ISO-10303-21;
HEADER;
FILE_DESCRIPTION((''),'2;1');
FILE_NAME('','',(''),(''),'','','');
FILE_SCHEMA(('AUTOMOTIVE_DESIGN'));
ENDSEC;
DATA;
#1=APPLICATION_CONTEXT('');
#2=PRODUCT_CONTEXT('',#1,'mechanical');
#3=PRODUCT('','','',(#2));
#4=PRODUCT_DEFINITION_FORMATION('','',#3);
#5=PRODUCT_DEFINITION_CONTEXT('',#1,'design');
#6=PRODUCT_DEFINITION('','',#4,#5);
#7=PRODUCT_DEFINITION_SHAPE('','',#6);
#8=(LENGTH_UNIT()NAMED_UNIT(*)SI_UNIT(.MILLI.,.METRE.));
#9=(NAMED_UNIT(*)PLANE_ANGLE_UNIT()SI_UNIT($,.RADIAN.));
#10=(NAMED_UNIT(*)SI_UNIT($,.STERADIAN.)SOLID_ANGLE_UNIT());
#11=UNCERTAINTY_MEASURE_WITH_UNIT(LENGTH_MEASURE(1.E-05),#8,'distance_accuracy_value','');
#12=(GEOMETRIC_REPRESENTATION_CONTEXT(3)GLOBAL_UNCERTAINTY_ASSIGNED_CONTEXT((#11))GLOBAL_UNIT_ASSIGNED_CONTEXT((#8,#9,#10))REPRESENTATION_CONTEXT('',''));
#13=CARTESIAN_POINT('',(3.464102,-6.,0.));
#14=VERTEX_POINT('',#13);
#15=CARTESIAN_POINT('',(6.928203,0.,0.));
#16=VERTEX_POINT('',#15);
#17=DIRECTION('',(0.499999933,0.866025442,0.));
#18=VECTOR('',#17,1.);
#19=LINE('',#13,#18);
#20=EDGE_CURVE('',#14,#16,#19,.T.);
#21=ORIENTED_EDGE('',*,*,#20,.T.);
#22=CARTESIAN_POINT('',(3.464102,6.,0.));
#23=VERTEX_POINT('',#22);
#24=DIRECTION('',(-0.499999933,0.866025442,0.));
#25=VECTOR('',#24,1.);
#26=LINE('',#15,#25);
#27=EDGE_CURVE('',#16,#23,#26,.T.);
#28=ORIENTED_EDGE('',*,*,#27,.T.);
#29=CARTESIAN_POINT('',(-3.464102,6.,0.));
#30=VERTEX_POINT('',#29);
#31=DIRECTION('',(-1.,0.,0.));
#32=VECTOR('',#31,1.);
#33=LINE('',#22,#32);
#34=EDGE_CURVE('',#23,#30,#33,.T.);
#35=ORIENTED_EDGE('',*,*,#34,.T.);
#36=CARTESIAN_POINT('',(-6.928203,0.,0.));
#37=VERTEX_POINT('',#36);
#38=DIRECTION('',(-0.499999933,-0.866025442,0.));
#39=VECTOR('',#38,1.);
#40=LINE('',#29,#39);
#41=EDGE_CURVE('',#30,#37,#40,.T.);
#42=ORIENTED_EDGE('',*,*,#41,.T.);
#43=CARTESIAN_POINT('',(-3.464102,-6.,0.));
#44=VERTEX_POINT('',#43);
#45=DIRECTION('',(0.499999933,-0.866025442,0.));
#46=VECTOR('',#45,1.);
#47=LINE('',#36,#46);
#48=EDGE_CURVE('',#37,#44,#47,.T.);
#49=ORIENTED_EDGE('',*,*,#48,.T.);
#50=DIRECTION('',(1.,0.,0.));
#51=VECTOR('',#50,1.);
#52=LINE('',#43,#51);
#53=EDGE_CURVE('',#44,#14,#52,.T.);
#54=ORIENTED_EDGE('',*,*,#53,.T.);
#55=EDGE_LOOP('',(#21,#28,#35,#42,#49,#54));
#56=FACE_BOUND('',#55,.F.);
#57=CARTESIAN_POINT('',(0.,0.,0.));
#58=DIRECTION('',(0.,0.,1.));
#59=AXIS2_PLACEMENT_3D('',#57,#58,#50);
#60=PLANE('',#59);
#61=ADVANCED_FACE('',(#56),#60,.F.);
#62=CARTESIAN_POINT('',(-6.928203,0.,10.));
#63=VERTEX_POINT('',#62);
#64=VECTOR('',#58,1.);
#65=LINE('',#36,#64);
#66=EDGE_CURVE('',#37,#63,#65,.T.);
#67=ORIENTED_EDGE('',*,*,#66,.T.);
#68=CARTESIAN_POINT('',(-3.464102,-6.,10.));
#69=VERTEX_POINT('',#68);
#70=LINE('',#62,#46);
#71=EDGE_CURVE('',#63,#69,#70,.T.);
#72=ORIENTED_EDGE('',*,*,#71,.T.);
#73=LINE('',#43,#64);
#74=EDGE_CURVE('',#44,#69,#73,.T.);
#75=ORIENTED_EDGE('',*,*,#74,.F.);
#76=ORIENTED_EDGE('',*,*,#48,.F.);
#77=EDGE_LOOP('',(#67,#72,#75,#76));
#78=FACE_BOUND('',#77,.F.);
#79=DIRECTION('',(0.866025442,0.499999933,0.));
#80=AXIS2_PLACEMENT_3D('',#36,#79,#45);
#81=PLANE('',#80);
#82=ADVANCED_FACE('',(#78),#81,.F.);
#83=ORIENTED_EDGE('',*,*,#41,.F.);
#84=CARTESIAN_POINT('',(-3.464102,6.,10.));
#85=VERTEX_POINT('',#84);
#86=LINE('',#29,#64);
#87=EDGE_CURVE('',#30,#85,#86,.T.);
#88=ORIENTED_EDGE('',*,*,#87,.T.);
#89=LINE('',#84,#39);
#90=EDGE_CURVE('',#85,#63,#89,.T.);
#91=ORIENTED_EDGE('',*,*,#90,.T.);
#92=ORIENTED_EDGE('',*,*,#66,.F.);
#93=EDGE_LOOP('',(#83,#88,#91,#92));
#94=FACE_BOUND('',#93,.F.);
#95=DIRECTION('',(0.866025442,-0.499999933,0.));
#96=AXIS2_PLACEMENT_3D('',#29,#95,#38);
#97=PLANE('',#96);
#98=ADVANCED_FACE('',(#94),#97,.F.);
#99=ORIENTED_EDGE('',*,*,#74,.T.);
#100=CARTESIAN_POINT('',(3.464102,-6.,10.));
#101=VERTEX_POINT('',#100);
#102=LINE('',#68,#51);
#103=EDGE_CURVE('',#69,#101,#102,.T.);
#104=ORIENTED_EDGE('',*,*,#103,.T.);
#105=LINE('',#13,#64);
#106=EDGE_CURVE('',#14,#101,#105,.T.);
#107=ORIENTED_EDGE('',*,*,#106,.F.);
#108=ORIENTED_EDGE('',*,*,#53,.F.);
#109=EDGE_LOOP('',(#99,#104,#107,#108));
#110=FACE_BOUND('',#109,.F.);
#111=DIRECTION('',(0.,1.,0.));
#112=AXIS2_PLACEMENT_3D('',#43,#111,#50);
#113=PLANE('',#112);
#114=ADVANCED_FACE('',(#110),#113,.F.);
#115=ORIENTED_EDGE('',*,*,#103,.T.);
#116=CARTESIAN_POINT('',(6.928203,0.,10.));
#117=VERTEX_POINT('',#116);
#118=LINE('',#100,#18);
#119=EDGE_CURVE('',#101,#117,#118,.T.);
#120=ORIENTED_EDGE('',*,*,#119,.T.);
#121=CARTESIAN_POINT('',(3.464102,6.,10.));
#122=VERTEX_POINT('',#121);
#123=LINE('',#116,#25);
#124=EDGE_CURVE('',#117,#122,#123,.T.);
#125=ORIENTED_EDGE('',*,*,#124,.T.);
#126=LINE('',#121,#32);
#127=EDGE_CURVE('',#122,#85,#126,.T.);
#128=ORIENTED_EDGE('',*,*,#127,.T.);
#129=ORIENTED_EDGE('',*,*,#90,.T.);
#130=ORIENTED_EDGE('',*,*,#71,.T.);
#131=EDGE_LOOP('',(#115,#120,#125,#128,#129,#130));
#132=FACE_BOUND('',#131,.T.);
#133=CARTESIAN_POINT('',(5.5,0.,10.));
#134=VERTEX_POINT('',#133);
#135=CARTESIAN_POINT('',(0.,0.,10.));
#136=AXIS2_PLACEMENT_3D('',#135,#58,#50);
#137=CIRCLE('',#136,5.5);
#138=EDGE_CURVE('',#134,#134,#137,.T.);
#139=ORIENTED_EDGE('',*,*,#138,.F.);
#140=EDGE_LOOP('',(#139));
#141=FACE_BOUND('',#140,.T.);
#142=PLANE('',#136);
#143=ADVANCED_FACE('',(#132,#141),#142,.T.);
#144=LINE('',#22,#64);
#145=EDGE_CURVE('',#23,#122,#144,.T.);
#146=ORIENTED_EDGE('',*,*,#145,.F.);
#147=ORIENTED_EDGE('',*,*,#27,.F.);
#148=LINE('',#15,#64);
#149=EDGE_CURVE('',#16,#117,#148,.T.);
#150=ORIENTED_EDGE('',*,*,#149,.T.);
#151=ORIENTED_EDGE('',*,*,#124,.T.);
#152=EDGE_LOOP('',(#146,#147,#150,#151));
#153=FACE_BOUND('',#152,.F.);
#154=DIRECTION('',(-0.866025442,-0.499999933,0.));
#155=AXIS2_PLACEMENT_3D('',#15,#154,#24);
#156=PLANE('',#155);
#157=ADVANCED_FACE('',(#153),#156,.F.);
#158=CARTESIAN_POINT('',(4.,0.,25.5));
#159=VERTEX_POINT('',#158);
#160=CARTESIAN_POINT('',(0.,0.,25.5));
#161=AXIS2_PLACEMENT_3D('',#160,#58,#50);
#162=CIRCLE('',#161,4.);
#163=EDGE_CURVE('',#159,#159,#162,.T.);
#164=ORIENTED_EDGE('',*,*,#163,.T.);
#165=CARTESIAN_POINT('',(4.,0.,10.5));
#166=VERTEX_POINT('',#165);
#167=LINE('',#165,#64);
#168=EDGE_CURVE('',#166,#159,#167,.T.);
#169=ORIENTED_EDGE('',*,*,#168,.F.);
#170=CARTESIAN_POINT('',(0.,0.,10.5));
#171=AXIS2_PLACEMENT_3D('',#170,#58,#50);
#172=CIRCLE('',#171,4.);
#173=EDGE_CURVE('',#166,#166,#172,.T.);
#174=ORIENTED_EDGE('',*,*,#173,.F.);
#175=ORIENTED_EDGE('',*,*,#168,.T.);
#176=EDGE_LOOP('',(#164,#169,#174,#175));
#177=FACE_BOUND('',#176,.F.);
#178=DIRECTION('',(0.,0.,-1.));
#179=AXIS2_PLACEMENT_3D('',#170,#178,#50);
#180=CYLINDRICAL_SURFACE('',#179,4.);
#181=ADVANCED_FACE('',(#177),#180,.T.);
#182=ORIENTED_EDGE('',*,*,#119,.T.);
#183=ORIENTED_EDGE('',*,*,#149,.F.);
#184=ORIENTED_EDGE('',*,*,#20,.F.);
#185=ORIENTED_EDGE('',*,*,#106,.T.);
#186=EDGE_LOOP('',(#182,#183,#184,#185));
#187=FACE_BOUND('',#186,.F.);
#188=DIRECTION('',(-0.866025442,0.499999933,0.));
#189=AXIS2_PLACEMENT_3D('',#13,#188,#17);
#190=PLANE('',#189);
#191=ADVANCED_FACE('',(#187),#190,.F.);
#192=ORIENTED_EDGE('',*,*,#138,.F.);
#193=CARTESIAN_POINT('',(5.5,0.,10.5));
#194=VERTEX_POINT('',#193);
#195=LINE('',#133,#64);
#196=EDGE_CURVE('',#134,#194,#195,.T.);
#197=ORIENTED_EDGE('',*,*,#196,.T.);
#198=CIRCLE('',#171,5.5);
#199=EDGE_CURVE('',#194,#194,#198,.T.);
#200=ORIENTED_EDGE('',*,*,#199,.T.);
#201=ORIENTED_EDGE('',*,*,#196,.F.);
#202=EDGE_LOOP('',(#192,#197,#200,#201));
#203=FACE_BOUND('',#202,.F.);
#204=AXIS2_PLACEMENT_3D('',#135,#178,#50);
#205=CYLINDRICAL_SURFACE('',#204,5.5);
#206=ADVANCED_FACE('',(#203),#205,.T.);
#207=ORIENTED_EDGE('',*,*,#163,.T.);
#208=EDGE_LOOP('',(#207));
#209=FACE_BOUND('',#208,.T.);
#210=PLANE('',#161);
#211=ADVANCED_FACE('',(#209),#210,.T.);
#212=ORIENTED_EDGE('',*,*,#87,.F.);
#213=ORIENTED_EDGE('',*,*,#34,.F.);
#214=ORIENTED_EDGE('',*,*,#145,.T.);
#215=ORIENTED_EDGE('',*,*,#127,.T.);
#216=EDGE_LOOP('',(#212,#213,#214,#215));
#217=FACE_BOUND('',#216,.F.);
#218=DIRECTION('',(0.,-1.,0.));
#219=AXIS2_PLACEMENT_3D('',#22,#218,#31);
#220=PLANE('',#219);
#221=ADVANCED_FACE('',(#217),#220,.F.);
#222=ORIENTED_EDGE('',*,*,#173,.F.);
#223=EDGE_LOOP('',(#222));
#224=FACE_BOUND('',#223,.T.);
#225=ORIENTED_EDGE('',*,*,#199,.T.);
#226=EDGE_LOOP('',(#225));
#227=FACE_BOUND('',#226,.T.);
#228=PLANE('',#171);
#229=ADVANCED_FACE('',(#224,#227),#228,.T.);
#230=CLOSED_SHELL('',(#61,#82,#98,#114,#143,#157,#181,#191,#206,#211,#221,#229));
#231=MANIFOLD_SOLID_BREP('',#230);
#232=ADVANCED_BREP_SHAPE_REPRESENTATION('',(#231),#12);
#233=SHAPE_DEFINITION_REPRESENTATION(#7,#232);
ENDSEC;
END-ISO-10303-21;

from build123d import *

# Parameters (mm, degrees)
F1_DEPTH = 10
F2_R     = 5.5
F3_DEPTH = 0.5
F4_R     = 4
F5_DEPTH = 15


with BuildPart() as f1:
    # F0 (on Top) → F1 (new body)
    with BuildSketch(Plane.XY):
        Polygon((3.464102, 6), (-3.464102, 6), (-6.928203, 0), (-3.464102, -6), (3.464102, -6), (6.928203, 0), align=None)
    extrude(amount=F1_DEPTH)

    # F2 (on face) → F3 (join)
    with BuildSketch(Plane.XY.offset(10)):
        Circle(F2_R)
    extrude(amount=F3_DEPTH)

    # F4 (on face) → F5 (join)
    with BuildSketch(Plane.XY.offset(10.5)):
        Circle(F4_R)
    extrude(amount=F5_DEPTH)


solid = f1.part
